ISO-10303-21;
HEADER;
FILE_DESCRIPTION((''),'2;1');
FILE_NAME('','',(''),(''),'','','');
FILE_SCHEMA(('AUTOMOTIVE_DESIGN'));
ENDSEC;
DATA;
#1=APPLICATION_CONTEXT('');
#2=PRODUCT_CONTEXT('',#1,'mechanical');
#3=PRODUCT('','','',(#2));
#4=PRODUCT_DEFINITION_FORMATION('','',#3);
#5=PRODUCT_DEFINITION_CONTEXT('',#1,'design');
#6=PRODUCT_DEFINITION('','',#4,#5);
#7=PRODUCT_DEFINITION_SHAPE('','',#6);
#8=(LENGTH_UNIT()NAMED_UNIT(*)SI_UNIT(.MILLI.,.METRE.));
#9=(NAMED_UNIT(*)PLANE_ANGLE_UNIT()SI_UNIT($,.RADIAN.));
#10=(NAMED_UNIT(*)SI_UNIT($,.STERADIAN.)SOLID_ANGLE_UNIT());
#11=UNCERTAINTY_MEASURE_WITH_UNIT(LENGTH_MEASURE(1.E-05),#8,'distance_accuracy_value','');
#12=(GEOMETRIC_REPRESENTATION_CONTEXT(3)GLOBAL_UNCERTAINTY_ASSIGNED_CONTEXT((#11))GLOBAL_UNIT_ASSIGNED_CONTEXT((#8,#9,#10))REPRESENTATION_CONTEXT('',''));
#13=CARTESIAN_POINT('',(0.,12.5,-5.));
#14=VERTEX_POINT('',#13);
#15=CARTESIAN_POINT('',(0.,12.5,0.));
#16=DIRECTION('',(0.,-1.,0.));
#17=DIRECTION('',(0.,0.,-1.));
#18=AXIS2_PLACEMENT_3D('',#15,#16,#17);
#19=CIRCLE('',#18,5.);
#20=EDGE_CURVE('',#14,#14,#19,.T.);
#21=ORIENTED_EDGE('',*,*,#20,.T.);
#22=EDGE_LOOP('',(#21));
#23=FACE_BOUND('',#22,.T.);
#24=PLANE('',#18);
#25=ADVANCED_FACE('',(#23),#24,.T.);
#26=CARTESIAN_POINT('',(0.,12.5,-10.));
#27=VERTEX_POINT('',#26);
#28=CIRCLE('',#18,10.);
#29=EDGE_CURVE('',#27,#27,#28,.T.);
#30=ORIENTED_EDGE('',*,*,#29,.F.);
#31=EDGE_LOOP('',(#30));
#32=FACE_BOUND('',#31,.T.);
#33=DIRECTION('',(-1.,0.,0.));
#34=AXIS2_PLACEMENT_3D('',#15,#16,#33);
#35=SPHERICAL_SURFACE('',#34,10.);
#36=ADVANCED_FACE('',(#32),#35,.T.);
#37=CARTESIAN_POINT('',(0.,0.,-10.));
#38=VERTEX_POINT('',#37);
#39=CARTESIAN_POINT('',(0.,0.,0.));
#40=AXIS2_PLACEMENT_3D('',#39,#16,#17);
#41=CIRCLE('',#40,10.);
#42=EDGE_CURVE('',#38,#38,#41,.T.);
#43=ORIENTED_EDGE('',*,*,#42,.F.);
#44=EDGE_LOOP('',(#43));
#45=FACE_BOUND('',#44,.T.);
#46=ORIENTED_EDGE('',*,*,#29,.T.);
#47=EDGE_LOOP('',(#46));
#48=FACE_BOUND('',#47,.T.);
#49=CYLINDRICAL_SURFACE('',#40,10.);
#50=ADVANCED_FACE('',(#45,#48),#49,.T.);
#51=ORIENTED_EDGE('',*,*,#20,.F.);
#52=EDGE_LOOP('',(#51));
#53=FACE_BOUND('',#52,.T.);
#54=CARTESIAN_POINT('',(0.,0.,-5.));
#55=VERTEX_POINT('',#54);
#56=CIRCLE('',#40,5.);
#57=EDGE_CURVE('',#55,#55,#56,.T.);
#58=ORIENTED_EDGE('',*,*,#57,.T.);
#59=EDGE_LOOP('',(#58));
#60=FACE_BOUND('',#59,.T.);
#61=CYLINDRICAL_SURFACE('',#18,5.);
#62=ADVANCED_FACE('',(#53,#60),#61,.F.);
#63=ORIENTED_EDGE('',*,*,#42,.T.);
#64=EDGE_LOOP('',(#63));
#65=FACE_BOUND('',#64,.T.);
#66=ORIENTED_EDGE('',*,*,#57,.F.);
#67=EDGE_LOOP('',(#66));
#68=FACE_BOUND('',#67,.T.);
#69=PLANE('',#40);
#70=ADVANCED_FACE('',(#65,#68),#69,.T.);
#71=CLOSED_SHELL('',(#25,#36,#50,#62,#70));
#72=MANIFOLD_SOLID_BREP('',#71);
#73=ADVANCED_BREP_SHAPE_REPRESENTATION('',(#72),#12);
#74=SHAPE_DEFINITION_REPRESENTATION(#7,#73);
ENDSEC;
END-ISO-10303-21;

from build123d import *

# Parameters (mm, degrees)
CROQUIS2_R            = 5
CORTAR_EXTRUIR1_DEPTH = 12.5


with BuildPart() as part:
    # Croquis1 → Revolución2 (revolve)
    with BuildSketch(Plane.XY):
        with BuildLine():
            Line((-10, 0), (0, 0))
            Line((0, 0), (0, 22.5))
            ThreePointArc((0, 22.5), (-7.071067812, 19.571067812), (-10, 12.5))
            Line((-10, 12.5), (-10, 0))
        make_face()
    revolve(axis=Axis((0, 0, 0), (0, 1, 0)))

    # Croquis2 → Cortar-Extruir1 (cut)
    with BuildSketch(Plane.XZ):
        with Locations(Location((0, 0, 0), (0, 0, 270))):
            Circle(CROQUIS2_R)
    extrude(amount=-CORTAR_EXTRUIR1_DEPTH, mode=Mode.SUBTRACT)


solid = part.part
